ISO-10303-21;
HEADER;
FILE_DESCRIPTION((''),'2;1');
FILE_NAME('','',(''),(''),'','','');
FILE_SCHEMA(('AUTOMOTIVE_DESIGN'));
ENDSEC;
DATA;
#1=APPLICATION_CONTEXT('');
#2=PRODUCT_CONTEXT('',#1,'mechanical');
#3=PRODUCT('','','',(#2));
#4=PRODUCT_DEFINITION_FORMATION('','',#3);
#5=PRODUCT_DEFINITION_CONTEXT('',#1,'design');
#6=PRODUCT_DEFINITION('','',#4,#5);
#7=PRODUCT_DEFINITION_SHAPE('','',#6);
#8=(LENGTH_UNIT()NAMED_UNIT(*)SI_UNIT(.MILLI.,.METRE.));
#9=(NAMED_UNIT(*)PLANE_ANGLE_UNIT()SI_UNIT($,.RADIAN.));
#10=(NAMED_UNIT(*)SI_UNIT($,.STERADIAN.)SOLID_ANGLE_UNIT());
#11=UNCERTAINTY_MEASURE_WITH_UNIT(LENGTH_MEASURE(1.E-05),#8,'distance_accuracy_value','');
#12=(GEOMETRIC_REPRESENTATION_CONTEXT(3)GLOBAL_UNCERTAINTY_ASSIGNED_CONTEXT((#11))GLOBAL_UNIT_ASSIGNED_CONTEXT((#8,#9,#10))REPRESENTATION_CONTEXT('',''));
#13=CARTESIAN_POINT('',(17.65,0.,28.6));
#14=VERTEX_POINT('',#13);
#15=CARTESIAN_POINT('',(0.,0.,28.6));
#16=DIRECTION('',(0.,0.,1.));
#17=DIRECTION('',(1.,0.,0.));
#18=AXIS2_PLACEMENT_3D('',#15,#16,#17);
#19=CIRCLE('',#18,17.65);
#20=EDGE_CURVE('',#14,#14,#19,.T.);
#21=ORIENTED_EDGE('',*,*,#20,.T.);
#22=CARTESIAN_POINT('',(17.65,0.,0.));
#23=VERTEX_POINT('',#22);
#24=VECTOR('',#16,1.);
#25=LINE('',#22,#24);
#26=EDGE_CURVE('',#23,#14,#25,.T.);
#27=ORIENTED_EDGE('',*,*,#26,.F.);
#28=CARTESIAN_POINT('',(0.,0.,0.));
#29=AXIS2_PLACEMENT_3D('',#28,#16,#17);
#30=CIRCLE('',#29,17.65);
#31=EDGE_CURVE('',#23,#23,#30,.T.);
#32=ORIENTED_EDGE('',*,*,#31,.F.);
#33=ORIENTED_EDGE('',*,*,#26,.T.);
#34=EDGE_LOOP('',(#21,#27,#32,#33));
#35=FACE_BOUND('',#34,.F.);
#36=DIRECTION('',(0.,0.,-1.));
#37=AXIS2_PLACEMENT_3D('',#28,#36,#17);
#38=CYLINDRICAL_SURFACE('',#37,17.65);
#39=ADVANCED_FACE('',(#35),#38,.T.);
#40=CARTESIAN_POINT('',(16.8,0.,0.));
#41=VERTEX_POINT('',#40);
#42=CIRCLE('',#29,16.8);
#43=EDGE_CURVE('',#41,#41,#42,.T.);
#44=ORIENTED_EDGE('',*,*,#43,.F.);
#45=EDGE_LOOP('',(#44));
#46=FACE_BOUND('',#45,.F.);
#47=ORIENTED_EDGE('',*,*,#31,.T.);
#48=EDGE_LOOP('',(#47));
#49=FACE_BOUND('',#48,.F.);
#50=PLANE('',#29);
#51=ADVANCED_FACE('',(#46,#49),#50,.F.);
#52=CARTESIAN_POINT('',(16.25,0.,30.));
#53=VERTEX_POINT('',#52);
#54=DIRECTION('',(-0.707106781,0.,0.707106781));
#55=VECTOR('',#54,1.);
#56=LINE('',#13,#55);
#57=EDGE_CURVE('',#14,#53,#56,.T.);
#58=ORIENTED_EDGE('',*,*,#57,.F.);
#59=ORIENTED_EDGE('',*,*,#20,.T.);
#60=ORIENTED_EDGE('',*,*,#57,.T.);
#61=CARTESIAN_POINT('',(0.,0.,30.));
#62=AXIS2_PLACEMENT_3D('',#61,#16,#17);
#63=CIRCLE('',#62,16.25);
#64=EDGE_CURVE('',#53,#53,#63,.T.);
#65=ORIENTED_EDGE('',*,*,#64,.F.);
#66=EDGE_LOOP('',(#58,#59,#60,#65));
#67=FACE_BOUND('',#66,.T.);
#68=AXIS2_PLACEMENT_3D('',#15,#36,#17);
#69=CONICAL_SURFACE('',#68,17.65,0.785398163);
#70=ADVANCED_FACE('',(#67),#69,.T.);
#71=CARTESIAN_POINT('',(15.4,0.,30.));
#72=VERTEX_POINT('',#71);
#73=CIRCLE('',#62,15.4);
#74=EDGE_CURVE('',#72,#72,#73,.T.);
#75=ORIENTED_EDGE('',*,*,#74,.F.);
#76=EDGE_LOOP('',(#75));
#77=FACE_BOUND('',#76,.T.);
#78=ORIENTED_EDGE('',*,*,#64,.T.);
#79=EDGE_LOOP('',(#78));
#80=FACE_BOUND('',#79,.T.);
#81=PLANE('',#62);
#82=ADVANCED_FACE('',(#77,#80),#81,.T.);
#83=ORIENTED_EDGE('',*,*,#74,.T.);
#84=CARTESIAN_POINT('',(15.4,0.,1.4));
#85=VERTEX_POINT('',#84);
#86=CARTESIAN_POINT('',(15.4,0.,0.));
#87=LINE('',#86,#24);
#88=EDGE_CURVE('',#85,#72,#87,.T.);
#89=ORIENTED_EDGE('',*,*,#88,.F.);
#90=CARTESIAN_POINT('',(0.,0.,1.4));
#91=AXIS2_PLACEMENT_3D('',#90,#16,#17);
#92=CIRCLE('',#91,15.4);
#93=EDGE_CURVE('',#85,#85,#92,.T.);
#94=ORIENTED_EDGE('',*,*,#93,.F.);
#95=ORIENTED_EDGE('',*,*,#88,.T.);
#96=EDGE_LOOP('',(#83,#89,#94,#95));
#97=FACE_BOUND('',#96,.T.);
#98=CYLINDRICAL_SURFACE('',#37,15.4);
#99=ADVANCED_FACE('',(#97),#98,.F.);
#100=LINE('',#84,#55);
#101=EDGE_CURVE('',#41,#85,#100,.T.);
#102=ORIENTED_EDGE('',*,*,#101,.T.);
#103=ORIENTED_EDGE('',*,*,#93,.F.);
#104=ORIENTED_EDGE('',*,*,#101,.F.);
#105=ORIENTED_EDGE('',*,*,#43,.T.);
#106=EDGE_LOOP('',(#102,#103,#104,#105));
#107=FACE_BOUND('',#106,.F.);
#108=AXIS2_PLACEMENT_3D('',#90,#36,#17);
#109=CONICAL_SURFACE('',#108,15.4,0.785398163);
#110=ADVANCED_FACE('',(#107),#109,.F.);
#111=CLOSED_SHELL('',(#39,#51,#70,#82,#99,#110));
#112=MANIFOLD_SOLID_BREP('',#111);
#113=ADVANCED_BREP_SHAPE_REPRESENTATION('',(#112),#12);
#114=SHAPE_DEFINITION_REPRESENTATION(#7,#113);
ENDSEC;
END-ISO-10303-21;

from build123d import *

# Parameters (mm, degrees)
SKETCH_R        = 17.65
SKETCH_R_2      = 15.4
PAD_DEPTH       = 30
CHAMFER_SIZE    = 1.4
CHAMFER001_SIZE = 1.4


with BuildPart() as part:
    # Sketch → Pad (new body)
    with BuildSketch(Plane.XY):
        Circle(SKETCH_R)
        Circle(SKETCH_R_2, mode=Mode.SUBTRACT)
    extrude(amount=PAD_DEPTH)

    # Chamfer
    chamfer_edges = [part.edges().sort_by_distance(p)[0] for p in [
        (-17.65, 0, 30),
    ]]
    chamfer(chamfer_edges, length=CHAMFER_SIZE)

    # Chamfer001
    chamfer001_edges = [part.edges().sort_by_distance(p)[0] for p in [
        (-15.4, 0, 0),
    ]]
    chamfer(chamfer001_edges, length=CHAMFER001_SIZE)


solid = part.part
